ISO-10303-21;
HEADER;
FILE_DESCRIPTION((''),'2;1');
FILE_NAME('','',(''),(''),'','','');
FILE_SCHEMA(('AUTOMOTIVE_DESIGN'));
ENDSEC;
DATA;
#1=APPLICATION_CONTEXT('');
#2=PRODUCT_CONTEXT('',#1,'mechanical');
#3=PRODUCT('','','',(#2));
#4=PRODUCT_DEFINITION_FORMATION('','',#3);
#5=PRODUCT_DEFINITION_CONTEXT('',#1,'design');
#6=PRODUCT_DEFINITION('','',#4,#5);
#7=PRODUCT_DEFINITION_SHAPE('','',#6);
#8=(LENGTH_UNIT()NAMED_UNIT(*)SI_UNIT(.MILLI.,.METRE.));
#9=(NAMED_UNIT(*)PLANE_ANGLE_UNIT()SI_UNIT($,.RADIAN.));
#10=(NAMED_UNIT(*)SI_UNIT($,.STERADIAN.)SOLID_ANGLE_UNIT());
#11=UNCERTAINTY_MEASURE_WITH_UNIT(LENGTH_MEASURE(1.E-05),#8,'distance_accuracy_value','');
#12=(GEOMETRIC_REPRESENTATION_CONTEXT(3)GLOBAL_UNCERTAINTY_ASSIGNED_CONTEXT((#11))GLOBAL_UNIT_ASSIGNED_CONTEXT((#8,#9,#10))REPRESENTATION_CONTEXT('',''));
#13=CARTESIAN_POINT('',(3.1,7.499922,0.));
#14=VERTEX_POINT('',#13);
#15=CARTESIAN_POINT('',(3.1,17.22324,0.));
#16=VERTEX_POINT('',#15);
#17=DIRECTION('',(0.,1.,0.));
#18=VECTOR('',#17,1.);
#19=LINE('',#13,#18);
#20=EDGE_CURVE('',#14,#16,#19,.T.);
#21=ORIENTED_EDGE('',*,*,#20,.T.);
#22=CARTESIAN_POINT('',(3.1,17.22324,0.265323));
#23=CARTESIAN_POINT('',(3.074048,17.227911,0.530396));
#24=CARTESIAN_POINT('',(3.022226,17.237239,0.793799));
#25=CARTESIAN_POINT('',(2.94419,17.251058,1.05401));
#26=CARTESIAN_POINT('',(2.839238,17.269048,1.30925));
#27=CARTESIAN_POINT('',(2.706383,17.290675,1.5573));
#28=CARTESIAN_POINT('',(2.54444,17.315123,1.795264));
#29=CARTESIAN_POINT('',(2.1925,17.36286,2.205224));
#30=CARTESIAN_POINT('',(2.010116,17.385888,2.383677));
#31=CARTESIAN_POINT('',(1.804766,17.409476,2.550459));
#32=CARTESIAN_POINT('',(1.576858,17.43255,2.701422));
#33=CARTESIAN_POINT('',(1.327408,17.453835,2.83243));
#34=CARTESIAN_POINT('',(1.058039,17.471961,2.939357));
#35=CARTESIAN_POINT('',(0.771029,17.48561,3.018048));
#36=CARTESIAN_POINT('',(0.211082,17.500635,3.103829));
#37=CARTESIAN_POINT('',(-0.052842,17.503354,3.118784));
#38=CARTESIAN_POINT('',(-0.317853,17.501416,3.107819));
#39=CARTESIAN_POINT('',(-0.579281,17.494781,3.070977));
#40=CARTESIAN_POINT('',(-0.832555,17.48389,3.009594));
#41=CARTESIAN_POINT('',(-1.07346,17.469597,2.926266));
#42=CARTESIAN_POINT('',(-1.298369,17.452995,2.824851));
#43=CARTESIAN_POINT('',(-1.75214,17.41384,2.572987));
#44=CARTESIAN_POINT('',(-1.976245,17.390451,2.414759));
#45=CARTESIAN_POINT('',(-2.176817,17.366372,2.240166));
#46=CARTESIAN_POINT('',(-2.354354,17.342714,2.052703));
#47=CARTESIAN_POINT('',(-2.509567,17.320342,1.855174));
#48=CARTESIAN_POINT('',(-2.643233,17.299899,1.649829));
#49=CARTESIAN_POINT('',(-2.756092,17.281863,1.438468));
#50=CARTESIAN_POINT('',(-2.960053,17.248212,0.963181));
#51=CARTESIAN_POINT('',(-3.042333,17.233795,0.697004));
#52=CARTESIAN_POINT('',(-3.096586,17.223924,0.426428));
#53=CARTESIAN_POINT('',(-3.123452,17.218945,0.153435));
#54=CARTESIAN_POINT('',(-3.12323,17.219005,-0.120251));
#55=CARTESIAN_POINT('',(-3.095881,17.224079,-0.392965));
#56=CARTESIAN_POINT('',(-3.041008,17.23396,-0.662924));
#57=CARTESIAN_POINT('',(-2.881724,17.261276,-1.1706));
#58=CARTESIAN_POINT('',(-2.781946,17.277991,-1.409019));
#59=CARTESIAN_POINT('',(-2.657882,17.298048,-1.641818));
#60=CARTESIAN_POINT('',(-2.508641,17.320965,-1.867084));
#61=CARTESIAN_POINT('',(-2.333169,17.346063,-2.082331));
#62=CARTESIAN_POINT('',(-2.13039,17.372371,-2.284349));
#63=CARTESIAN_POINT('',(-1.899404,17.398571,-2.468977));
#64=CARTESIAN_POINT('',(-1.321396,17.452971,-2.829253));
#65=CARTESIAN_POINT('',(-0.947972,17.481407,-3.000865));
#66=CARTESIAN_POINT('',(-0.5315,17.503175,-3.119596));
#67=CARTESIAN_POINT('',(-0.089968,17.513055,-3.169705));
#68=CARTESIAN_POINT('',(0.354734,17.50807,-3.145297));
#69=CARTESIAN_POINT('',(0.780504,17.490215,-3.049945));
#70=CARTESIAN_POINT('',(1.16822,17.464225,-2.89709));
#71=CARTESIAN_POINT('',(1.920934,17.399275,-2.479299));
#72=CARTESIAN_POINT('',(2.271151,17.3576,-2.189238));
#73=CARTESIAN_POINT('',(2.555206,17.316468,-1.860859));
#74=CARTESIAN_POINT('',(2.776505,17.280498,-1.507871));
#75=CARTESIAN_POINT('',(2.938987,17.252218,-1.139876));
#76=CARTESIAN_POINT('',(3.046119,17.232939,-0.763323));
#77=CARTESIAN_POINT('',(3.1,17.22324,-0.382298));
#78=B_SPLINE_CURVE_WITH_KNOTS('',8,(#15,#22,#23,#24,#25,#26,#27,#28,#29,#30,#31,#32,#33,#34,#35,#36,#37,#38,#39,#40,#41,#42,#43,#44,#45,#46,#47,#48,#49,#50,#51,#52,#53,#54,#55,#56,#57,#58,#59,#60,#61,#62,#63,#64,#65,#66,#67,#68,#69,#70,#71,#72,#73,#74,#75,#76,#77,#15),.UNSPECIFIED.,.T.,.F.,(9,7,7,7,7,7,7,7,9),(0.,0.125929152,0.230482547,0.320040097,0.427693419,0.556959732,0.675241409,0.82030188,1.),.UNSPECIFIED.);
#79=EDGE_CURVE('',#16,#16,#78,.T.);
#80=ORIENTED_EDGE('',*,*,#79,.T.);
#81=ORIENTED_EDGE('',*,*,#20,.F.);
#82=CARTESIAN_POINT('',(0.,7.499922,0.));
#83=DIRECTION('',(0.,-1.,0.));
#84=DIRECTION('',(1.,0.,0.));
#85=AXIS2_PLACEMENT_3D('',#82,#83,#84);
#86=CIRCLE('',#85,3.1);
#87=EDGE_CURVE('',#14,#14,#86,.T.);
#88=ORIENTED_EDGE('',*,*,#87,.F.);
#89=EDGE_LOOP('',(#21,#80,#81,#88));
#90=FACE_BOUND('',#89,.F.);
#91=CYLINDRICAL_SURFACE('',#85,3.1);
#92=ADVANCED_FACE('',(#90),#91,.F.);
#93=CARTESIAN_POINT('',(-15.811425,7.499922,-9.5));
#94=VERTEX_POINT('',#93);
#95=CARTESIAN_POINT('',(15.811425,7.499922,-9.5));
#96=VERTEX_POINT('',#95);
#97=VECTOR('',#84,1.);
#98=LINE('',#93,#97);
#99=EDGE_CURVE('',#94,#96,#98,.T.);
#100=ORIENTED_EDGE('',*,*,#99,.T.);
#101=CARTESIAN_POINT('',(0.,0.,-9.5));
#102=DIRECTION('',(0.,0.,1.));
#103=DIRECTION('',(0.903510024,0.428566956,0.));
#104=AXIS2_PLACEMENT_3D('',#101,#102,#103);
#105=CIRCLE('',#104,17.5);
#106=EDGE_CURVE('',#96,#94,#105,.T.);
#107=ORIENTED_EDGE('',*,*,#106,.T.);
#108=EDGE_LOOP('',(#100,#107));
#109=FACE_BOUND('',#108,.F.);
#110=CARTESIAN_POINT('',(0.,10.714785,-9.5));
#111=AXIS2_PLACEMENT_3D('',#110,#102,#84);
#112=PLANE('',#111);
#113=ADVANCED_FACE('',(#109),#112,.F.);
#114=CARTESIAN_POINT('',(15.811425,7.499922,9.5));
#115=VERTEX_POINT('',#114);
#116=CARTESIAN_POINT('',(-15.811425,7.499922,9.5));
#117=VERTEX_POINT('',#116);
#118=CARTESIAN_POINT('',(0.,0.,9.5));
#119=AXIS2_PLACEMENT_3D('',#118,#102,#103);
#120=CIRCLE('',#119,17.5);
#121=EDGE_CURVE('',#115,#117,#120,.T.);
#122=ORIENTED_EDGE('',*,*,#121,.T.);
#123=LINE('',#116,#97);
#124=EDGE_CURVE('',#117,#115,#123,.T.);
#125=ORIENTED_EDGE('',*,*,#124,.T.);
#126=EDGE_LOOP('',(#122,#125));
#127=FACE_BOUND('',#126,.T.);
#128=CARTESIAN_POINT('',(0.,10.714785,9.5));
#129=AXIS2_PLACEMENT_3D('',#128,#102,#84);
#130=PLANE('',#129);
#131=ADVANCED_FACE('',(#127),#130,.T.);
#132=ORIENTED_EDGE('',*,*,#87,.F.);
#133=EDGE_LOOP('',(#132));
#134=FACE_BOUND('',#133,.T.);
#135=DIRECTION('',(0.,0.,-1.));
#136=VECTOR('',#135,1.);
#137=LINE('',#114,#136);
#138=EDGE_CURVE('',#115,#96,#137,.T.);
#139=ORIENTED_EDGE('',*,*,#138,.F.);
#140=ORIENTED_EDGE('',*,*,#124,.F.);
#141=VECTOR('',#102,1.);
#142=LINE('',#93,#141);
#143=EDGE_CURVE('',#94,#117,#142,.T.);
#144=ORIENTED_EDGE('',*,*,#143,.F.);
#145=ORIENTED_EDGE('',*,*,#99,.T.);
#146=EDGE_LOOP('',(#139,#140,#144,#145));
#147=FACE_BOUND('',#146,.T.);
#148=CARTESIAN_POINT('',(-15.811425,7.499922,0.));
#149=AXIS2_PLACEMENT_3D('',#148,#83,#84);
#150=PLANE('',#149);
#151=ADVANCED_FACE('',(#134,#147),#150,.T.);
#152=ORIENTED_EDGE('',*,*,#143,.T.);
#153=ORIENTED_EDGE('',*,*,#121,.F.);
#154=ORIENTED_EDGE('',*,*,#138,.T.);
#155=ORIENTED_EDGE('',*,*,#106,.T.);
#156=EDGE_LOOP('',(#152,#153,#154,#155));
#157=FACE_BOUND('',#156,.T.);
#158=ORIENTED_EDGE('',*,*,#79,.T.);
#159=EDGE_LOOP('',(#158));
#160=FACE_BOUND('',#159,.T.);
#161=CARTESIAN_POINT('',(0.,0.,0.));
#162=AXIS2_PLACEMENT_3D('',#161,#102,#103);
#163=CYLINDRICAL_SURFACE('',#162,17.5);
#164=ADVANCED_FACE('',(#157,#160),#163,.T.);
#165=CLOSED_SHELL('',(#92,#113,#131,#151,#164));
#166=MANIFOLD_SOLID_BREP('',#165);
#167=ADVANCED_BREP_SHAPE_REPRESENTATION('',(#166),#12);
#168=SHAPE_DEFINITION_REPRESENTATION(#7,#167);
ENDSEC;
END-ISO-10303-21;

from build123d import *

# Parameters (mm, degrees)
PAD_DEPTH    = 9.5
SKETCH001_R  = 3.1
POCKET_DEPTH = 10.001078


with BuildPart() as part:
    # Sketch → Pad (new body, symmetric)
    with BuildSketch(Plane.XY):
        with BuildLine():
            ThreePointArc((15.811425, 7.499922), (0, 17.5), (-15.811425, 7.499922))
            Line((-15.811425, 7.499922), (15.811425, 7.499922))
        make_face()
    extrude(amount=PAD_DEPTH, both=True)

    # Sketch001 (on Face2 of Pad) → Pocket (cut, through all)
    with BuildSketch(Plane.XZ.offset(-7.499922)):
        Circle(SKETCH001_R)
    extrude(amount=-POCKET_DEPTH, mode=Mode.SUBTRACT)


solid = part.part
